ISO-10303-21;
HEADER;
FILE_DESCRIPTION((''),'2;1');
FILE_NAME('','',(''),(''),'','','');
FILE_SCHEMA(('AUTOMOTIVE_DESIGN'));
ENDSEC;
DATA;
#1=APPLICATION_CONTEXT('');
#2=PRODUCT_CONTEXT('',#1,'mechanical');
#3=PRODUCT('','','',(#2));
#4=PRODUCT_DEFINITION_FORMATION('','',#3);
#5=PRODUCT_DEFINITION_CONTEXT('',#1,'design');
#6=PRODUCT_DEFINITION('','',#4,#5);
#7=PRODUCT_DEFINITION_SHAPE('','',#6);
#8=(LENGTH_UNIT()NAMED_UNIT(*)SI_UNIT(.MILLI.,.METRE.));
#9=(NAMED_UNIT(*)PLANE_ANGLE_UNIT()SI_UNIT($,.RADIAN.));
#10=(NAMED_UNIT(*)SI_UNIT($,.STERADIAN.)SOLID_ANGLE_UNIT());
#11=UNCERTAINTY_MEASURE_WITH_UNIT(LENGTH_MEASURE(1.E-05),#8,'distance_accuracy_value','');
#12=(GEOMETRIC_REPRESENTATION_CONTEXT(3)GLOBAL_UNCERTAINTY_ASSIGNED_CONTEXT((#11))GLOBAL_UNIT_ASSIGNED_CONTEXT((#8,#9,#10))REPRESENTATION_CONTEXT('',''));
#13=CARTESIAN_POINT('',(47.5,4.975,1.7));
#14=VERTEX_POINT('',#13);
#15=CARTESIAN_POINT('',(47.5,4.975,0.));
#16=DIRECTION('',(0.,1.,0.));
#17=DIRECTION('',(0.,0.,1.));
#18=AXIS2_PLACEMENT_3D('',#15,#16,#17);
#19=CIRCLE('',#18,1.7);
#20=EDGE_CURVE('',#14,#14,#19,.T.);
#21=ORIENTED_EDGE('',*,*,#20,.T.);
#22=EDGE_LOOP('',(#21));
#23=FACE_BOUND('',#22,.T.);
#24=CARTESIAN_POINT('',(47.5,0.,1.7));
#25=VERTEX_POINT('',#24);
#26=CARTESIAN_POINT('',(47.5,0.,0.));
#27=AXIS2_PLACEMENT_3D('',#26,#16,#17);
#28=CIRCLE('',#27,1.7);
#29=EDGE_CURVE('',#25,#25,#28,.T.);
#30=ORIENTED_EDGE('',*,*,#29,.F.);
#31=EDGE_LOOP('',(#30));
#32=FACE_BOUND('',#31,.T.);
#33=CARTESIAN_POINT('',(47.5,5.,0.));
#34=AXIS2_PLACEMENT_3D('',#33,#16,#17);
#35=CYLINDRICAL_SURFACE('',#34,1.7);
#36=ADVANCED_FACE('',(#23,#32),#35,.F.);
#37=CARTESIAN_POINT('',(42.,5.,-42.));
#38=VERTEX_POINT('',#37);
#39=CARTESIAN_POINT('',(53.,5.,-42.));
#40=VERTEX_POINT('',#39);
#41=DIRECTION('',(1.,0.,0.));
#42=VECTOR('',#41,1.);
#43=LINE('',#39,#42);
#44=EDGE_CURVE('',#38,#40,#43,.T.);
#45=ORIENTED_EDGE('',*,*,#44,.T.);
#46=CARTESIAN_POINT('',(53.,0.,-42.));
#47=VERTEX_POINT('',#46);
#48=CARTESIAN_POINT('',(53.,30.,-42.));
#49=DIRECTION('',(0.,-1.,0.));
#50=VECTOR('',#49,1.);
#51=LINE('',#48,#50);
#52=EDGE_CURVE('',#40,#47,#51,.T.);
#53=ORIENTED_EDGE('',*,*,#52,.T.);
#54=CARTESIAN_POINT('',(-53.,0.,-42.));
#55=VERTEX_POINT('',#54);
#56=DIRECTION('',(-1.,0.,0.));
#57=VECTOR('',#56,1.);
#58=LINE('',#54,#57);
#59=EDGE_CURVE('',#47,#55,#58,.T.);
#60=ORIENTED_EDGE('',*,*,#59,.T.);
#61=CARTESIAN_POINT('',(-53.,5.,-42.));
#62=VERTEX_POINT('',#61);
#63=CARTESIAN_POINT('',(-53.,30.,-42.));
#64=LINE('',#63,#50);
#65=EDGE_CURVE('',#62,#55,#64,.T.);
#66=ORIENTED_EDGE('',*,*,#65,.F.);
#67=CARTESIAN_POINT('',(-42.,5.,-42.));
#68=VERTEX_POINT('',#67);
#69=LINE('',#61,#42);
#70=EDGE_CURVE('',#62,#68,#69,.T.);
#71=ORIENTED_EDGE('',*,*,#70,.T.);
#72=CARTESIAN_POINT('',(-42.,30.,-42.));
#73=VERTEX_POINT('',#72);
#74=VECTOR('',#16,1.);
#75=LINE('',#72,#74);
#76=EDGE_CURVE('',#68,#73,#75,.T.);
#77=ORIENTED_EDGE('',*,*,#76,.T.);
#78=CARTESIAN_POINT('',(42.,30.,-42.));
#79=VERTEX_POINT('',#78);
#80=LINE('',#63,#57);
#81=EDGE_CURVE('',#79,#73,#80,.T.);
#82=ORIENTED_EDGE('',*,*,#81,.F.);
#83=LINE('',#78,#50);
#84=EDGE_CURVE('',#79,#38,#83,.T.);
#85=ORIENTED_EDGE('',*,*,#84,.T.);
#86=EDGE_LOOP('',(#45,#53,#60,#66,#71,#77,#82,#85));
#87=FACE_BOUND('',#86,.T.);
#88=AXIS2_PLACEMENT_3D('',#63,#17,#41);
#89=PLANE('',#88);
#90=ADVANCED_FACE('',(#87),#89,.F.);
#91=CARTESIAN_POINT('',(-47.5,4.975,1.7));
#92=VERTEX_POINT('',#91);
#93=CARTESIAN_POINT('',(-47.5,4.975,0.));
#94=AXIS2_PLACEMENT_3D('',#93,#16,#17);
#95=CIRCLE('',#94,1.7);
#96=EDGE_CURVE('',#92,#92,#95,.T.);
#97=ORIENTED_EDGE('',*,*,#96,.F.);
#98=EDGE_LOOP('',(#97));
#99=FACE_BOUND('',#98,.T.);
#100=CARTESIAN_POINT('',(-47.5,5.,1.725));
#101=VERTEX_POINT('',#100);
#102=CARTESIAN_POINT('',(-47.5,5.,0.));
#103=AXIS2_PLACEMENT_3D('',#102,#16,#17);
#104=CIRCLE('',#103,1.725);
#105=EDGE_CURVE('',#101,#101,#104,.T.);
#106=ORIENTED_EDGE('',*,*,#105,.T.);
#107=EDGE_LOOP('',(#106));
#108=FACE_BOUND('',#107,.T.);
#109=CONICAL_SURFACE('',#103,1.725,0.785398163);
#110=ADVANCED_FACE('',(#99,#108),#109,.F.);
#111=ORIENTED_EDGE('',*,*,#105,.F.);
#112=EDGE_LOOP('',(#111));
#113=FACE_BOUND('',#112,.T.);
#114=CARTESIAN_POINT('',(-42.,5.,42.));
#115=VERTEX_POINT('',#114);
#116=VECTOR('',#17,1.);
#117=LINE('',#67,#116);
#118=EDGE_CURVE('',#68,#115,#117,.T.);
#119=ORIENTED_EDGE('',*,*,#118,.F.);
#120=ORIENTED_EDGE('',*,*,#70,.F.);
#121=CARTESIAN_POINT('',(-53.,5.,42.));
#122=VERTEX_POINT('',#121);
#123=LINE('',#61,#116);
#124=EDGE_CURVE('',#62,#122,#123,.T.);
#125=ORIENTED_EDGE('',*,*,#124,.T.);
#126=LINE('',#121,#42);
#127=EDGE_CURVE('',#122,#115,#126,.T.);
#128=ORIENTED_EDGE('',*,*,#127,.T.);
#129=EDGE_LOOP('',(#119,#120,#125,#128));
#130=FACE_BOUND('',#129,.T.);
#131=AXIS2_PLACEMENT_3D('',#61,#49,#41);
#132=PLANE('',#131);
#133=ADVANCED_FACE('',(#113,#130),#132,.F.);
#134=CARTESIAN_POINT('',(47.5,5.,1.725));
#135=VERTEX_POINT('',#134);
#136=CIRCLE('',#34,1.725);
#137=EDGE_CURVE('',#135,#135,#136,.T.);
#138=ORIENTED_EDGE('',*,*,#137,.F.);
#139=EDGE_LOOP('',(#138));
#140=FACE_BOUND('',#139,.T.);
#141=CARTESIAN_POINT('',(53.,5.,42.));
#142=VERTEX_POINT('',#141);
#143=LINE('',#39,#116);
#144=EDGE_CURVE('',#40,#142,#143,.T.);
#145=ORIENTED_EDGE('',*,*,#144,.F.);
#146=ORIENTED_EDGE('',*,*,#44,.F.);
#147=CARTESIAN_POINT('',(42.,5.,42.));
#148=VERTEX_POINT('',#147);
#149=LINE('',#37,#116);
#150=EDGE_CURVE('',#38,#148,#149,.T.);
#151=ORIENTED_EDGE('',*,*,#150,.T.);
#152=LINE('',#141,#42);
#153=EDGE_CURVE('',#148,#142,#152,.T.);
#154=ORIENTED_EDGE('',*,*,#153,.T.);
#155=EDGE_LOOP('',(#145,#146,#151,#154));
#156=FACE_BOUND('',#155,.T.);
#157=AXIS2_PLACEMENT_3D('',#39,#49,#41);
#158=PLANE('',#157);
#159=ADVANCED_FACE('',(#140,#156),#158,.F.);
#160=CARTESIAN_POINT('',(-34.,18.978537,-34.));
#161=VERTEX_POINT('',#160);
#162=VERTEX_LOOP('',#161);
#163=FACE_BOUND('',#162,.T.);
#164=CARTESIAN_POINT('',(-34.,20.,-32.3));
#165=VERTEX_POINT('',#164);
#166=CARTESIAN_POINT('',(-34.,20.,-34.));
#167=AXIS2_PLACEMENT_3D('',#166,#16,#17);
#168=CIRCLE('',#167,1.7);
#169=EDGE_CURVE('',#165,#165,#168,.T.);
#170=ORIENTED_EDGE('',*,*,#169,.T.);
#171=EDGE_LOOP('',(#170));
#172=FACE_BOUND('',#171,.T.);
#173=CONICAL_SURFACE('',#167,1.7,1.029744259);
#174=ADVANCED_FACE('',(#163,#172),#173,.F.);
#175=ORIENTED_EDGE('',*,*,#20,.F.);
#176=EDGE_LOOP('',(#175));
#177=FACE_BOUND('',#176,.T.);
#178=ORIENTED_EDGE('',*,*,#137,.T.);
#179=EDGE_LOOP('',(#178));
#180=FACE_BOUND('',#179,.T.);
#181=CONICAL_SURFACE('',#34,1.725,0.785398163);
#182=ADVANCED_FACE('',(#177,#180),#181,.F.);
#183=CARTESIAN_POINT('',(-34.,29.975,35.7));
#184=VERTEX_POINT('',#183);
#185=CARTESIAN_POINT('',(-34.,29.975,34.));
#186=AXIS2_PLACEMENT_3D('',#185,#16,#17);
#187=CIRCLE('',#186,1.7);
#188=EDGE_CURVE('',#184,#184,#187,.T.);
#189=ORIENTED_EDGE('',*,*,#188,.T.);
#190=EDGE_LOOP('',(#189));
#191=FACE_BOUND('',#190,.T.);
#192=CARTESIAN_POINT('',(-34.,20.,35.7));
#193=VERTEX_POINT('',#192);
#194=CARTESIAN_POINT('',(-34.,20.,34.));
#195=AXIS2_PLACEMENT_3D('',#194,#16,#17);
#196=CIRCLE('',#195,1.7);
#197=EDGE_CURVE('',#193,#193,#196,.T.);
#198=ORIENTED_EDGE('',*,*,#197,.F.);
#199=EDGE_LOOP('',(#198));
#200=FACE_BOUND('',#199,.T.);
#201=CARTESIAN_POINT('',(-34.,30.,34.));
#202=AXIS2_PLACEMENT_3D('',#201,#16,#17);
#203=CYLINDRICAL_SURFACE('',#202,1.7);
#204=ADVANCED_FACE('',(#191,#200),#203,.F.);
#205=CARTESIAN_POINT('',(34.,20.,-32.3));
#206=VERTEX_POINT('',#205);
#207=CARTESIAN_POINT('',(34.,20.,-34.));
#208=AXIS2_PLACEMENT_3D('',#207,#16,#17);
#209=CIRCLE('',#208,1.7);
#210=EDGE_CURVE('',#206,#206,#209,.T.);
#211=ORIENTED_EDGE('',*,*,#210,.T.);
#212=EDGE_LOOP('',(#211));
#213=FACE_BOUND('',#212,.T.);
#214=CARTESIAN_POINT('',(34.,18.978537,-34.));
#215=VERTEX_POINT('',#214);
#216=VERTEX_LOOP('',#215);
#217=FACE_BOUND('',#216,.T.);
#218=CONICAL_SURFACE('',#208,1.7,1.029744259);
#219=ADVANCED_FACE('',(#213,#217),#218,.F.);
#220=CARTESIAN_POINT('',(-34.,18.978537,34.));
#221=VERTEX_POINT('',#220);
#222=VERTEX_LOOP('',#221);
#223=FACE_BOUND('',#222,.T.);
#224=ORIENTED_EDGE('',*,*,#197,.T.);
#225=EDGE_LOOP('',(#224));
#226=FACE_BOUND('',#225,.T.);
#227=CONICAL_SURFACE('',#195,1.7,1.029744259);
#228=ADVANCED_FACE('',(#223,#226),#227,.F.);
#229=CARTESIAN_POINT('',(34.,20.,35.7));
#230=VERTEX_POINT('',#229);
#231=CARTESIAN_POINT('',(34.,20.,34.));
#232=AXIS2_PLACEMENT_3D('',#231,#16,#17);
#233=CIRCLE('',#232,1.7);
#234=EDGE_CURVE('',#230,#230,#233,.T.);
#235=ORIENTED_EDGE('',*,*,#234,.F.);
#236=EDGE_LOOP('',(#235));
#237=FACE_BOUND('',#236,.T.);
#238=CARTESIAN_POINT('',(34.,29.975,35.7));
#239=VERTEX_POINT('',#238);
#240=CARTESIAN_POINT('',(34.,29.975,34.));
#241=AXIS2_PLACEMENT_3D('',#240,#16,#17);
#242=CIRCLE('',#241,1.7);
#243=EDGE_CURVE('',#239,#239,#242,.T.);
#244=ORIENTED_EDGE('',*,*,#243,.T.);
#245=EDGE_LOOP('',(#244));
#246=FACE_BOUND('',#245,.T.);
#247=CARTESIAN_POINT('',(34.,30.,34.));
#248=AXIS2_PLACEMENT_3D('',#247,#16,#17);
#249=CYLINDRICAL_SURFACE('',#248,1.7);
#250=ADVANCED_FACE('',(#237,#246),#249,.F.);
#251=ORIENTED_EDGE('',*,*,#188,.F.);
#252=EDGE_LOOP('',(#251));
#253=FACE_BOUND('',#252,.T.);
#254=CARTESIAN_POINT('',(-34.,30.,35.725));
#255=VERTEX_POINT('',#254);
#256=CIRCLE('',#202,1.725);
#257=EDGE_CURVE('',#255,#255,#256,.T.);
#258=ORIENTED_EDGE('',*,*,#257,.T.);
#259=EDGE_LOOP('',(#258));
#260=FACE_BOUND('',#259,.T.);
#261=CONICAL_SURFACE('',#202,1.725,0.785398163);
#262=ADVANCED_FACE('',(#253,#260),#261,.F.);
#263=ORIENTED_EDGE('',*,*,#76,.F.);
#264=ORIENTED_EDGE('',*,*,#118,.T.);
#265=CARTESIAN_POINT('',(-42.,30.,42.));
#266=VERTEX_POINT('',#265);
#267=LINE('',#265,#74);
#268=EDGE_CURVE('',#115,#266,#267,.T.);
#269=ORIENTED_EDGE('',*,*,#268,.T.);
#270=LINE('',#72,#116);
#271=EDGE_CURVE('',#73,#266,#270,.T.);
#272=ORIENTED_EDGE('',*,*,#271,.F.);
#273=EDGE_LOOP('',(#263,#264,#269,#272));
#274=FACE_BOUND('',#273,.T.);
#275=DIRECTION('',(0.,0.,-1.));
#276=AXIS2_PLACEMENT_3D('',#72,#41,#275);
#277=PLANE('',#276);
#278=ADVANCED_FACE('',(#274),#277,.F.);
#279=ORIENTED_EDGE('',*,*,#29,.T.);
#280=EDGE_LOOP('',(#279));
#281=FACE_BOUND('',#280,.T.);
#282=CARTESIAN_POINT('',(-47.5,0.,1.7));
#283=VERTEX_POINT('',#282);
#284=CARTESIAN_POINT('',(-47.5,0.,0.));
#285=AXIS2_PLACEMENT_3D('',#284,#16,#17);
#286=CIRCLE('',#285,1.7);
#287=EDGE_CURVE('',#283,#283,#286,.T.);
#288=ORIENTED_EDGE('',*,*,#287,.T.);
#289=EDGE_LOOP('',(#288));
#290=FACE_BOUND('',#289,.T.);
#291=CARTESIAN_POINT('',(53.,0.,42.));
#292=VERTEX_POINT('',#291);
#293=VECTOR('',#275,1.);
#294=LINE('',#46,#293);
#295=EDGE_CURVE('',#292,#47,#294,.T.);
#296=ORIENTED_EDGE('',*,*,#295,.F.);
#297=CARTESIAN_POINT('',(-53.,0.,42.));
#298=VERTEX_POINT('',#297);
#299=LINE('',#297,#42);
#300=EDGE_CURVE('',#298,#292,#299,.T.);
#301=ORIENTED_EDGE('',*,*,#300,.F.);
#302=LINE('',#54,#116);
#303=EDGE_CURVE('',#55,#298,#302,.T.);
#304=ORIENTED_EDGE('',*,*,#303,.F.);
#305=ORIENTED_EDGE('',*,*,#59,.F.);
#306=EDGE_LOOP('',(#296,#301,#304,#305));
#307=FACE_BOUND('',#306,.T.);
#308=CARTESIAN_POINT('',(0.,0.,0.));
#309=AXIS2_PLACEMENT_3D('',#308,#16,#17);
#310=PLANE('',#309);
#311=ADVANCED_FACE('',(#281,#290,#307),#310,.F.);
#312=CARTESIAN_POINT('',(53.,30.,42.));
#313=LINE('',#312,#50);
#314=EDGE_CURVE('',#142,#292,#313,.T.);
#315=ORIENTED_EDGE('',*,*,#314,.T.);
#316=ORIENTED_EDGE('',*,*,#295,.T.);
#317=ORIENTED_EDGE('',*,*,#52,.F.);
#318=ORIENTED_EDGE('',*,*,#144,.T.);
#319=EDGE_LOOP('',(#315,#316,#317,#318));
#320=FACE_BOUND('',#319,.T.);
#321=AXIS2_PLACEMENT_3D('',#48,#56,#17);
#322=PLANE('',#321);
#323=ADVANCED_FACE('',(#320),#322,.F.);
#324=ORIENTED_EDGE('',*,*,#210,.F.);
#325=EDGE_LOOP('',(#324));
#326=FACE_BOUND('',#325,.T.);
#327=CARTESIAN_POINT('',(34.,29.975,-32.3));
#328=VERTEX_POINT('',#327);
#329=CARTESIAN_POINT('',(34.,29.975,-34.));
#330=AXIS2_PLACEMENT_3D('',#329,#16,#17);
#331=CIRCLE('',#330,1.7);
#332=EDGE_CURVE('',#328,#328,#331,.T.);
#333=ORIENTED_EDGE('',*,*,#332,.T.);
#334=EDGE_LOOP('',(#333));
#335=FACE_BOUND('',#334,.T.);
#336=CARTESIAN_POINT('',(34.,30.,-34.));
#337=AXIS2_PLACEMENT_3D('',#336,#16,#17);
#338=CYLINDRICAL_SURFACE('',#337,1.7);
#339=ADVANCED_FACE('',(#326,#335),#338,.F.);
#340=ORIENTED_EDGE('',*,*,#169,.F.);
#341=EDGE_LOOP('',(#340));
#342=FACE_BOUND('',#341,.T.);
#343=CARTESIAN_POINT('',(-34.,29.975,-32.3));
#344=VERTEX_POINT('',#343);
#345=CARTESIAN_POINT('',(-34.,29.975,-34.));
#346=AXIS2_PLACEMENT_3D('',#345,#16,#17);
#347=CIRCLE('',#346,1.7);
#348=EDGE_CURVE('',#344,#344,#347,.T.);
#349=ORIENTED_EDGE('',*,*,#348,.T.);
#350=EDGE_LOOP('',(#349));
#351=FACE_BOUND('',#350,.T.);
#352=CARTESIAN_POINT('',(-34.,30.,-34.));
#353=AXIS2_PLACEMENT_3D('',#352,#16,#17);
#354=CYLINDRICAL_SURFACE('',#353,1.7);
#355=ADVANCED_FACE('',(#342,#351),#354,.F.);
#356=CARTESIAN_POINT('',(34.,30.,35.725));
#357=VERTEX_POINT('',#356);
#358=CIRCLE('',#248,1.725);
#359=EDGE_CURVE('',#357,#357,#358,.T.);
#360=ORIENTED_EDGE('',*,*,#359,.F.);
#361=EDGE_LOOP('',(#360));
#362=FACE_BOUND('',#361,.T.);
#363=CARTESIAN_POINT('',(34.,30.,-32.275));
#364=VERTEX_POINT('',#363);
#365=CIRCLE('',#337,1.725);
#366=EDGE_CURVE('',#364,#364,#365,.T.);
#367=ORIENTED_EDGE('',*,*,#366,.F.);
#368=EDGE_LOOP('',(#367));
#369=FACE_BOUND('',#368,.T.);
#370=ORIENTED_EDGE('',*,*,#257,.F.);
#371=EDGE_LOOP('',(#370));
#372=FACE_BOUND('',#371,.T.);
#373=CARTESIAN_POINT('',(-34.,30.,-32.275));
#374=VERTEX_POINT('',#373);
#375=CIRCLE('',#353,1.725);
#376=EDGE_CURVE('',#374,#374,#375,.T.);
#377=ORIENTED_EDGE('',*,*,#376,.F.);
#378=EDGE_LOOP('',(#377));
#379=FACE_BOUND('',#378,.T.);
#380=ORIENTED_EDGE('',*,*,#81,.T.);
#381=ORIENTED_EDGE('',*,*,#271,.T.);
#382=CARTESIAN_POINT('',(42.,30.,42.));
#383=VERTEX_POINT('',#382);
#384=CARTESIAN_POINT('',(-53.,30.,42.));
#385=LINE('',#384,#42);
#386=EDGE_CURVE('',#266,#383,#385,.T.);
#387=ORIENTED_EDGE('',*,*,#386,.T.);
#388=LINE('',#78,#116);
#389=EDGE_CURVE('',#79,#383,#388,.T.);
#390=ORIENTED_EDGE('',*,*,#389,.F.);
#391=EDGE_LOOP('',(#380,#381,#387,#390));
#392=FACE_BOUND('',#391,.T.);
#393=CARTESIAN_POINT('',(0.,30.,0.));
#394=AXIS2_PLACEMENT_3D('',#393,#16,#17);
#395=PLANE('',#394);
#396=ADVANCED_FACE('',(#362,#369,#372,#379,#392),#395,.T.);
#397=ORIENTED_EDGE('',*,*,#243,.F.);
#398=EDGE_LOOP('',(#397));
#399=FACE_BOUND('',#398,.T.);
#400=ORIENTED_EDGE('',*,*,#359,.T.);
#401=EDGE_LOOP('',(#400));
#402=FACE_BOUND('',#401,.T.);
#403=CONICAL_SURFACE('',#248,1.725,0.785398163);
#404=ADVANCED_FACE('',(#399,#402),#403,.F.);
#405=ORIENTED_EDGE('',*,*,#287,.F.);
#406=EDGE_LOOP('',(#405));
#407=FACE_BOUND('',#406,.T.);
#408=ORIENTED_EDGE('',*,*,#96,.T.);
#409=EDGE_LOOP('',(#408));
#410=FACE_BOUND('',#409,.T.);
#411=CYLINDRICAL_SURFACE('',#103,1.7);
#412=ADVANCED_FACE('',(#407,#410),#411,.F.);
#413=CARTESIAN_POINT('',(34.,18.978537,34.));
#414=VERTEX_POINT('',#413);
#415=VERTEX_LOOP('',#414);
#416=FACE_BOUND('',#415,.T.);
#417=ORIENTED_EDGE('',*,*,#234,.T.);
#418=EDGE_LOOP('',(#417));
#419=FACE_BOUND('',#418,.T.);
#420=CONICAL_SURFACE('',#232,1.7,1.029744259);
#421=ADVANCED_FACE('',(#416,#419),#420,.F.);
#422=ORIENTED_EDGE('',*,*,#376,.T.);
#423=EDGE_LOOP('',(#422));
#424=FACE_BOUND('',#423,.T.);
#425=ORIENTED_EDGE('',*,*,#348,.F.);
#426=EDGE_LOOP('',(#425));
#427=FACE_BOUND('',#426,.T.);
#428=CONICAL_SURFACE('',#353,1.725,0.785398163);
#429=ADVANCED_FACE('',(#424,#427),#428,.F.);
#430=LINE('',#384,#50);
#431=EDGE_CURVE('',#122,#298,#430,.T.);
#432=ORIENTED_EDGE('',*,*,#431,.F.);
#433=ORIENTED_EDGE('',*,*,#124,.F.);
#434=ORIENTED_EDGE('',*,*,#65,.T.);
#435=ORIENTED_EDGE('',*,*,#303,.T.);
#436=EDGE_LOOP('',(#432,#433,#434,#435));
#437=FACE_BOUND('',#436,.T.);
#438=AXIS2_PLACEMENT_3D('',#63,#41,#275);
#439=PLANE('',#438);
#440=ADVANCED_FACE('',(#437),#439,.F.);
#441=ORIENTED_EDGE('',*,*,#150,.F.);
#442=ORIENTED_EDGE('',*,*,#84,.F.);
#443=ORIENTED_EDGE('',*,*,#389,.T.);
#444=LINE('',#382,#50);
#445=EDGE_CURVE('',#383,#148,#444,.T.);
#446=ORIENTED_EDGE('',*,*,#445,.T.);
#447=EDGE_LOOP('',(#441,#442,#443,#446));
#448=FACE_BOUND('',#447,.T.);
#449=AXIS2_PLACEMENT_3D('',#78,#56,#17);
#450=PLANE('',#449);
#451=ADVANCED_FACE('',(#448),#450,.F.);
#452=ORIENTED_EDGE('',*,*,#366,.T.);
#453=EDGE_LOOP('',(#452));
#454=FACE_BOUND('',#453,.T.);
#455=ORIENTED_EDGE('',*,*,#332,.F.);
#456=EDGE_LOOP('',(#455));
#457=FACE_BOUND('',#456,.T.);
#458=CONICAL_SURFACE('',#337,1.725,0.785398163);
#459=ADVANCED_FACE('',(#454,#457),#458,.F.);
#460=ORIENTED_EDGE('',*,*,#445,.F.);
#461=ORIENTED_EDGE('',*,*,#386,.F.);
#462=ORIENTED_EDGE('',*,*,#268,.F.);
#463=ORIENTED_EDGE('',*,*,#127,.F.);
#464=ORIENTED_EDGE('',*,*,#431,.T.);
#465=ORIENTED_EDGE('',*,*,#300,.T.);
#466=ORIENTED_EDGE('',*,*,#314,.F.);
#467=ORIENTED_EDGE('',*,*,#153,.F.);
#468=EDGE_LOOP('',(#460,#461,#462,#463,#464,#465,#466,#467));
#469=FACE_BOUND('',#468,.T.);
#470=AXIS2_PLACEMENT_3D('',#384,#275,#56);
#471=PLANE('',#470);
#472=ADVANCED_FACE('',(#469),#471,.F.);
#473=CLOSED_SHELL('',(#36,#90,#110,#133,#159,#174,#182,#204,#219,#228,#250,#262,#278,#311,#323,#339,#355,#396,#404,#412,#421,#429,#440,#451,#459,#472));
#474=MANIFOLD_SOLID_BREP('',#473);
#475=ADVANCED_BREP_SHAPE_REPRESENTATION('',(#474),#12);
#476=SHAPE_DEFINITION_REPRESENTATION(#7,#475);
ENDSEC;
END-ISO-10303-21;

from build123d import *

# Parameters (mm, degrees)
SKETCH1_W                      = 106
SKETCH1_H                      = 84
BOSS_EXTRUDE1_DEPTH            = 30
SKETCH2_W                      = 11
SKETCH2_H                      = 25
CUT_EXTRUDE1_DEPTH             = 104.754517974
M3_CLEARANCE_HOLE1_D           = 3.4
M3_CLEARANCE_HOLE1_DEPTH       = 10
M3_CLEARANCE_HOLE1_CSINK_D     = 3.45
M3_CLEARANCE_HOLE1_CSINK_ANGLE = 90
M3_CLEARANCE_HOLE1_TIP         = 1.021463052
M3_CLEARANCE_HOLE2_D           = 3.4
M3_CLEARANCE_HOLE2_CSINK_D     = 3.45
M3_CLEARANCE_HOLE2_CSINK_ANGLE = 90


with BuildPart() as part:
    # Sketch1 → Boss-Extrude1 (new body)
    with BuildSketch(Plane(origin=(0, 0, 0), x_dir=(1, 0, 0), z_dir=(0, 1, 0))):
        Rectangle(SKETCH1_W, SKETCH1_H)
    extrude(amount=BOSS_EXTRUDE1_DEPTH)

    # Sketch2 → Cut-Extrude1 (cut, through all)
    with BuildSketch(Plane.XY.offset(42)):
        with Locations((47.5, 17.5)):
            Rectangle(SKETCH2_W, SKETCH2_H)
        with Locations((-47.5, 17.5)):
            Rectangle(SKETCH2_W, SKETCH2_H)
    extrude(amount=-CUT_EXTRUDE1_DEPTH, mode=Mode.SUBTRACT)

    # M3 Clearance Hole1
    with Locations(Plane(origin=(0, 30, 0), x_dir=(1, 0, 0), z_dir=(0, 1, 0))):
        with Locations((-34, 34), (34, 34), (34, -34), (-34, -34)):
            CounterSinkHole(M3_CLEARANCE_HOLE1_D / 2, M3_CLEARANCE_HOLE1_CSINK_D / 2, depth=M3_CLEARANCE_HOLE1_DEPTH, counter_sink_angle=M3_CLEARANCE_HOLE1_CSINK_ANGLE)
            with Locations((0, 0, -(M3_CLEARANCE_HOLE1_DEPTH + M3_CLEARANCE_HOLE1_TIP / 2))):  # 118° drill point
                Cone(0, M3_CLEARANCE_HOLE1_D / 2, M3_CLEARANCE_HOLE1_TIP, mode=Mode.SUBTRACT)

    # M3 Clearance Hole2 (through all)
    with Locations(Plane(origin=(0, 5, 0), x_dir=(1, 0, 0), z_dir=(0, 1, 0))):
        with Locations((-47.5, 0), (47.5, 0)):
            CounterSinkHole(M3_CLEARANCE_HOLE2_D / 2, M3_CLEARANCE_HOLE2_CSINK_D / 2, counter_sink_angle=M3_CLEARANCE_HOLE2_CSINK_ANGLE)


solid = part.part
